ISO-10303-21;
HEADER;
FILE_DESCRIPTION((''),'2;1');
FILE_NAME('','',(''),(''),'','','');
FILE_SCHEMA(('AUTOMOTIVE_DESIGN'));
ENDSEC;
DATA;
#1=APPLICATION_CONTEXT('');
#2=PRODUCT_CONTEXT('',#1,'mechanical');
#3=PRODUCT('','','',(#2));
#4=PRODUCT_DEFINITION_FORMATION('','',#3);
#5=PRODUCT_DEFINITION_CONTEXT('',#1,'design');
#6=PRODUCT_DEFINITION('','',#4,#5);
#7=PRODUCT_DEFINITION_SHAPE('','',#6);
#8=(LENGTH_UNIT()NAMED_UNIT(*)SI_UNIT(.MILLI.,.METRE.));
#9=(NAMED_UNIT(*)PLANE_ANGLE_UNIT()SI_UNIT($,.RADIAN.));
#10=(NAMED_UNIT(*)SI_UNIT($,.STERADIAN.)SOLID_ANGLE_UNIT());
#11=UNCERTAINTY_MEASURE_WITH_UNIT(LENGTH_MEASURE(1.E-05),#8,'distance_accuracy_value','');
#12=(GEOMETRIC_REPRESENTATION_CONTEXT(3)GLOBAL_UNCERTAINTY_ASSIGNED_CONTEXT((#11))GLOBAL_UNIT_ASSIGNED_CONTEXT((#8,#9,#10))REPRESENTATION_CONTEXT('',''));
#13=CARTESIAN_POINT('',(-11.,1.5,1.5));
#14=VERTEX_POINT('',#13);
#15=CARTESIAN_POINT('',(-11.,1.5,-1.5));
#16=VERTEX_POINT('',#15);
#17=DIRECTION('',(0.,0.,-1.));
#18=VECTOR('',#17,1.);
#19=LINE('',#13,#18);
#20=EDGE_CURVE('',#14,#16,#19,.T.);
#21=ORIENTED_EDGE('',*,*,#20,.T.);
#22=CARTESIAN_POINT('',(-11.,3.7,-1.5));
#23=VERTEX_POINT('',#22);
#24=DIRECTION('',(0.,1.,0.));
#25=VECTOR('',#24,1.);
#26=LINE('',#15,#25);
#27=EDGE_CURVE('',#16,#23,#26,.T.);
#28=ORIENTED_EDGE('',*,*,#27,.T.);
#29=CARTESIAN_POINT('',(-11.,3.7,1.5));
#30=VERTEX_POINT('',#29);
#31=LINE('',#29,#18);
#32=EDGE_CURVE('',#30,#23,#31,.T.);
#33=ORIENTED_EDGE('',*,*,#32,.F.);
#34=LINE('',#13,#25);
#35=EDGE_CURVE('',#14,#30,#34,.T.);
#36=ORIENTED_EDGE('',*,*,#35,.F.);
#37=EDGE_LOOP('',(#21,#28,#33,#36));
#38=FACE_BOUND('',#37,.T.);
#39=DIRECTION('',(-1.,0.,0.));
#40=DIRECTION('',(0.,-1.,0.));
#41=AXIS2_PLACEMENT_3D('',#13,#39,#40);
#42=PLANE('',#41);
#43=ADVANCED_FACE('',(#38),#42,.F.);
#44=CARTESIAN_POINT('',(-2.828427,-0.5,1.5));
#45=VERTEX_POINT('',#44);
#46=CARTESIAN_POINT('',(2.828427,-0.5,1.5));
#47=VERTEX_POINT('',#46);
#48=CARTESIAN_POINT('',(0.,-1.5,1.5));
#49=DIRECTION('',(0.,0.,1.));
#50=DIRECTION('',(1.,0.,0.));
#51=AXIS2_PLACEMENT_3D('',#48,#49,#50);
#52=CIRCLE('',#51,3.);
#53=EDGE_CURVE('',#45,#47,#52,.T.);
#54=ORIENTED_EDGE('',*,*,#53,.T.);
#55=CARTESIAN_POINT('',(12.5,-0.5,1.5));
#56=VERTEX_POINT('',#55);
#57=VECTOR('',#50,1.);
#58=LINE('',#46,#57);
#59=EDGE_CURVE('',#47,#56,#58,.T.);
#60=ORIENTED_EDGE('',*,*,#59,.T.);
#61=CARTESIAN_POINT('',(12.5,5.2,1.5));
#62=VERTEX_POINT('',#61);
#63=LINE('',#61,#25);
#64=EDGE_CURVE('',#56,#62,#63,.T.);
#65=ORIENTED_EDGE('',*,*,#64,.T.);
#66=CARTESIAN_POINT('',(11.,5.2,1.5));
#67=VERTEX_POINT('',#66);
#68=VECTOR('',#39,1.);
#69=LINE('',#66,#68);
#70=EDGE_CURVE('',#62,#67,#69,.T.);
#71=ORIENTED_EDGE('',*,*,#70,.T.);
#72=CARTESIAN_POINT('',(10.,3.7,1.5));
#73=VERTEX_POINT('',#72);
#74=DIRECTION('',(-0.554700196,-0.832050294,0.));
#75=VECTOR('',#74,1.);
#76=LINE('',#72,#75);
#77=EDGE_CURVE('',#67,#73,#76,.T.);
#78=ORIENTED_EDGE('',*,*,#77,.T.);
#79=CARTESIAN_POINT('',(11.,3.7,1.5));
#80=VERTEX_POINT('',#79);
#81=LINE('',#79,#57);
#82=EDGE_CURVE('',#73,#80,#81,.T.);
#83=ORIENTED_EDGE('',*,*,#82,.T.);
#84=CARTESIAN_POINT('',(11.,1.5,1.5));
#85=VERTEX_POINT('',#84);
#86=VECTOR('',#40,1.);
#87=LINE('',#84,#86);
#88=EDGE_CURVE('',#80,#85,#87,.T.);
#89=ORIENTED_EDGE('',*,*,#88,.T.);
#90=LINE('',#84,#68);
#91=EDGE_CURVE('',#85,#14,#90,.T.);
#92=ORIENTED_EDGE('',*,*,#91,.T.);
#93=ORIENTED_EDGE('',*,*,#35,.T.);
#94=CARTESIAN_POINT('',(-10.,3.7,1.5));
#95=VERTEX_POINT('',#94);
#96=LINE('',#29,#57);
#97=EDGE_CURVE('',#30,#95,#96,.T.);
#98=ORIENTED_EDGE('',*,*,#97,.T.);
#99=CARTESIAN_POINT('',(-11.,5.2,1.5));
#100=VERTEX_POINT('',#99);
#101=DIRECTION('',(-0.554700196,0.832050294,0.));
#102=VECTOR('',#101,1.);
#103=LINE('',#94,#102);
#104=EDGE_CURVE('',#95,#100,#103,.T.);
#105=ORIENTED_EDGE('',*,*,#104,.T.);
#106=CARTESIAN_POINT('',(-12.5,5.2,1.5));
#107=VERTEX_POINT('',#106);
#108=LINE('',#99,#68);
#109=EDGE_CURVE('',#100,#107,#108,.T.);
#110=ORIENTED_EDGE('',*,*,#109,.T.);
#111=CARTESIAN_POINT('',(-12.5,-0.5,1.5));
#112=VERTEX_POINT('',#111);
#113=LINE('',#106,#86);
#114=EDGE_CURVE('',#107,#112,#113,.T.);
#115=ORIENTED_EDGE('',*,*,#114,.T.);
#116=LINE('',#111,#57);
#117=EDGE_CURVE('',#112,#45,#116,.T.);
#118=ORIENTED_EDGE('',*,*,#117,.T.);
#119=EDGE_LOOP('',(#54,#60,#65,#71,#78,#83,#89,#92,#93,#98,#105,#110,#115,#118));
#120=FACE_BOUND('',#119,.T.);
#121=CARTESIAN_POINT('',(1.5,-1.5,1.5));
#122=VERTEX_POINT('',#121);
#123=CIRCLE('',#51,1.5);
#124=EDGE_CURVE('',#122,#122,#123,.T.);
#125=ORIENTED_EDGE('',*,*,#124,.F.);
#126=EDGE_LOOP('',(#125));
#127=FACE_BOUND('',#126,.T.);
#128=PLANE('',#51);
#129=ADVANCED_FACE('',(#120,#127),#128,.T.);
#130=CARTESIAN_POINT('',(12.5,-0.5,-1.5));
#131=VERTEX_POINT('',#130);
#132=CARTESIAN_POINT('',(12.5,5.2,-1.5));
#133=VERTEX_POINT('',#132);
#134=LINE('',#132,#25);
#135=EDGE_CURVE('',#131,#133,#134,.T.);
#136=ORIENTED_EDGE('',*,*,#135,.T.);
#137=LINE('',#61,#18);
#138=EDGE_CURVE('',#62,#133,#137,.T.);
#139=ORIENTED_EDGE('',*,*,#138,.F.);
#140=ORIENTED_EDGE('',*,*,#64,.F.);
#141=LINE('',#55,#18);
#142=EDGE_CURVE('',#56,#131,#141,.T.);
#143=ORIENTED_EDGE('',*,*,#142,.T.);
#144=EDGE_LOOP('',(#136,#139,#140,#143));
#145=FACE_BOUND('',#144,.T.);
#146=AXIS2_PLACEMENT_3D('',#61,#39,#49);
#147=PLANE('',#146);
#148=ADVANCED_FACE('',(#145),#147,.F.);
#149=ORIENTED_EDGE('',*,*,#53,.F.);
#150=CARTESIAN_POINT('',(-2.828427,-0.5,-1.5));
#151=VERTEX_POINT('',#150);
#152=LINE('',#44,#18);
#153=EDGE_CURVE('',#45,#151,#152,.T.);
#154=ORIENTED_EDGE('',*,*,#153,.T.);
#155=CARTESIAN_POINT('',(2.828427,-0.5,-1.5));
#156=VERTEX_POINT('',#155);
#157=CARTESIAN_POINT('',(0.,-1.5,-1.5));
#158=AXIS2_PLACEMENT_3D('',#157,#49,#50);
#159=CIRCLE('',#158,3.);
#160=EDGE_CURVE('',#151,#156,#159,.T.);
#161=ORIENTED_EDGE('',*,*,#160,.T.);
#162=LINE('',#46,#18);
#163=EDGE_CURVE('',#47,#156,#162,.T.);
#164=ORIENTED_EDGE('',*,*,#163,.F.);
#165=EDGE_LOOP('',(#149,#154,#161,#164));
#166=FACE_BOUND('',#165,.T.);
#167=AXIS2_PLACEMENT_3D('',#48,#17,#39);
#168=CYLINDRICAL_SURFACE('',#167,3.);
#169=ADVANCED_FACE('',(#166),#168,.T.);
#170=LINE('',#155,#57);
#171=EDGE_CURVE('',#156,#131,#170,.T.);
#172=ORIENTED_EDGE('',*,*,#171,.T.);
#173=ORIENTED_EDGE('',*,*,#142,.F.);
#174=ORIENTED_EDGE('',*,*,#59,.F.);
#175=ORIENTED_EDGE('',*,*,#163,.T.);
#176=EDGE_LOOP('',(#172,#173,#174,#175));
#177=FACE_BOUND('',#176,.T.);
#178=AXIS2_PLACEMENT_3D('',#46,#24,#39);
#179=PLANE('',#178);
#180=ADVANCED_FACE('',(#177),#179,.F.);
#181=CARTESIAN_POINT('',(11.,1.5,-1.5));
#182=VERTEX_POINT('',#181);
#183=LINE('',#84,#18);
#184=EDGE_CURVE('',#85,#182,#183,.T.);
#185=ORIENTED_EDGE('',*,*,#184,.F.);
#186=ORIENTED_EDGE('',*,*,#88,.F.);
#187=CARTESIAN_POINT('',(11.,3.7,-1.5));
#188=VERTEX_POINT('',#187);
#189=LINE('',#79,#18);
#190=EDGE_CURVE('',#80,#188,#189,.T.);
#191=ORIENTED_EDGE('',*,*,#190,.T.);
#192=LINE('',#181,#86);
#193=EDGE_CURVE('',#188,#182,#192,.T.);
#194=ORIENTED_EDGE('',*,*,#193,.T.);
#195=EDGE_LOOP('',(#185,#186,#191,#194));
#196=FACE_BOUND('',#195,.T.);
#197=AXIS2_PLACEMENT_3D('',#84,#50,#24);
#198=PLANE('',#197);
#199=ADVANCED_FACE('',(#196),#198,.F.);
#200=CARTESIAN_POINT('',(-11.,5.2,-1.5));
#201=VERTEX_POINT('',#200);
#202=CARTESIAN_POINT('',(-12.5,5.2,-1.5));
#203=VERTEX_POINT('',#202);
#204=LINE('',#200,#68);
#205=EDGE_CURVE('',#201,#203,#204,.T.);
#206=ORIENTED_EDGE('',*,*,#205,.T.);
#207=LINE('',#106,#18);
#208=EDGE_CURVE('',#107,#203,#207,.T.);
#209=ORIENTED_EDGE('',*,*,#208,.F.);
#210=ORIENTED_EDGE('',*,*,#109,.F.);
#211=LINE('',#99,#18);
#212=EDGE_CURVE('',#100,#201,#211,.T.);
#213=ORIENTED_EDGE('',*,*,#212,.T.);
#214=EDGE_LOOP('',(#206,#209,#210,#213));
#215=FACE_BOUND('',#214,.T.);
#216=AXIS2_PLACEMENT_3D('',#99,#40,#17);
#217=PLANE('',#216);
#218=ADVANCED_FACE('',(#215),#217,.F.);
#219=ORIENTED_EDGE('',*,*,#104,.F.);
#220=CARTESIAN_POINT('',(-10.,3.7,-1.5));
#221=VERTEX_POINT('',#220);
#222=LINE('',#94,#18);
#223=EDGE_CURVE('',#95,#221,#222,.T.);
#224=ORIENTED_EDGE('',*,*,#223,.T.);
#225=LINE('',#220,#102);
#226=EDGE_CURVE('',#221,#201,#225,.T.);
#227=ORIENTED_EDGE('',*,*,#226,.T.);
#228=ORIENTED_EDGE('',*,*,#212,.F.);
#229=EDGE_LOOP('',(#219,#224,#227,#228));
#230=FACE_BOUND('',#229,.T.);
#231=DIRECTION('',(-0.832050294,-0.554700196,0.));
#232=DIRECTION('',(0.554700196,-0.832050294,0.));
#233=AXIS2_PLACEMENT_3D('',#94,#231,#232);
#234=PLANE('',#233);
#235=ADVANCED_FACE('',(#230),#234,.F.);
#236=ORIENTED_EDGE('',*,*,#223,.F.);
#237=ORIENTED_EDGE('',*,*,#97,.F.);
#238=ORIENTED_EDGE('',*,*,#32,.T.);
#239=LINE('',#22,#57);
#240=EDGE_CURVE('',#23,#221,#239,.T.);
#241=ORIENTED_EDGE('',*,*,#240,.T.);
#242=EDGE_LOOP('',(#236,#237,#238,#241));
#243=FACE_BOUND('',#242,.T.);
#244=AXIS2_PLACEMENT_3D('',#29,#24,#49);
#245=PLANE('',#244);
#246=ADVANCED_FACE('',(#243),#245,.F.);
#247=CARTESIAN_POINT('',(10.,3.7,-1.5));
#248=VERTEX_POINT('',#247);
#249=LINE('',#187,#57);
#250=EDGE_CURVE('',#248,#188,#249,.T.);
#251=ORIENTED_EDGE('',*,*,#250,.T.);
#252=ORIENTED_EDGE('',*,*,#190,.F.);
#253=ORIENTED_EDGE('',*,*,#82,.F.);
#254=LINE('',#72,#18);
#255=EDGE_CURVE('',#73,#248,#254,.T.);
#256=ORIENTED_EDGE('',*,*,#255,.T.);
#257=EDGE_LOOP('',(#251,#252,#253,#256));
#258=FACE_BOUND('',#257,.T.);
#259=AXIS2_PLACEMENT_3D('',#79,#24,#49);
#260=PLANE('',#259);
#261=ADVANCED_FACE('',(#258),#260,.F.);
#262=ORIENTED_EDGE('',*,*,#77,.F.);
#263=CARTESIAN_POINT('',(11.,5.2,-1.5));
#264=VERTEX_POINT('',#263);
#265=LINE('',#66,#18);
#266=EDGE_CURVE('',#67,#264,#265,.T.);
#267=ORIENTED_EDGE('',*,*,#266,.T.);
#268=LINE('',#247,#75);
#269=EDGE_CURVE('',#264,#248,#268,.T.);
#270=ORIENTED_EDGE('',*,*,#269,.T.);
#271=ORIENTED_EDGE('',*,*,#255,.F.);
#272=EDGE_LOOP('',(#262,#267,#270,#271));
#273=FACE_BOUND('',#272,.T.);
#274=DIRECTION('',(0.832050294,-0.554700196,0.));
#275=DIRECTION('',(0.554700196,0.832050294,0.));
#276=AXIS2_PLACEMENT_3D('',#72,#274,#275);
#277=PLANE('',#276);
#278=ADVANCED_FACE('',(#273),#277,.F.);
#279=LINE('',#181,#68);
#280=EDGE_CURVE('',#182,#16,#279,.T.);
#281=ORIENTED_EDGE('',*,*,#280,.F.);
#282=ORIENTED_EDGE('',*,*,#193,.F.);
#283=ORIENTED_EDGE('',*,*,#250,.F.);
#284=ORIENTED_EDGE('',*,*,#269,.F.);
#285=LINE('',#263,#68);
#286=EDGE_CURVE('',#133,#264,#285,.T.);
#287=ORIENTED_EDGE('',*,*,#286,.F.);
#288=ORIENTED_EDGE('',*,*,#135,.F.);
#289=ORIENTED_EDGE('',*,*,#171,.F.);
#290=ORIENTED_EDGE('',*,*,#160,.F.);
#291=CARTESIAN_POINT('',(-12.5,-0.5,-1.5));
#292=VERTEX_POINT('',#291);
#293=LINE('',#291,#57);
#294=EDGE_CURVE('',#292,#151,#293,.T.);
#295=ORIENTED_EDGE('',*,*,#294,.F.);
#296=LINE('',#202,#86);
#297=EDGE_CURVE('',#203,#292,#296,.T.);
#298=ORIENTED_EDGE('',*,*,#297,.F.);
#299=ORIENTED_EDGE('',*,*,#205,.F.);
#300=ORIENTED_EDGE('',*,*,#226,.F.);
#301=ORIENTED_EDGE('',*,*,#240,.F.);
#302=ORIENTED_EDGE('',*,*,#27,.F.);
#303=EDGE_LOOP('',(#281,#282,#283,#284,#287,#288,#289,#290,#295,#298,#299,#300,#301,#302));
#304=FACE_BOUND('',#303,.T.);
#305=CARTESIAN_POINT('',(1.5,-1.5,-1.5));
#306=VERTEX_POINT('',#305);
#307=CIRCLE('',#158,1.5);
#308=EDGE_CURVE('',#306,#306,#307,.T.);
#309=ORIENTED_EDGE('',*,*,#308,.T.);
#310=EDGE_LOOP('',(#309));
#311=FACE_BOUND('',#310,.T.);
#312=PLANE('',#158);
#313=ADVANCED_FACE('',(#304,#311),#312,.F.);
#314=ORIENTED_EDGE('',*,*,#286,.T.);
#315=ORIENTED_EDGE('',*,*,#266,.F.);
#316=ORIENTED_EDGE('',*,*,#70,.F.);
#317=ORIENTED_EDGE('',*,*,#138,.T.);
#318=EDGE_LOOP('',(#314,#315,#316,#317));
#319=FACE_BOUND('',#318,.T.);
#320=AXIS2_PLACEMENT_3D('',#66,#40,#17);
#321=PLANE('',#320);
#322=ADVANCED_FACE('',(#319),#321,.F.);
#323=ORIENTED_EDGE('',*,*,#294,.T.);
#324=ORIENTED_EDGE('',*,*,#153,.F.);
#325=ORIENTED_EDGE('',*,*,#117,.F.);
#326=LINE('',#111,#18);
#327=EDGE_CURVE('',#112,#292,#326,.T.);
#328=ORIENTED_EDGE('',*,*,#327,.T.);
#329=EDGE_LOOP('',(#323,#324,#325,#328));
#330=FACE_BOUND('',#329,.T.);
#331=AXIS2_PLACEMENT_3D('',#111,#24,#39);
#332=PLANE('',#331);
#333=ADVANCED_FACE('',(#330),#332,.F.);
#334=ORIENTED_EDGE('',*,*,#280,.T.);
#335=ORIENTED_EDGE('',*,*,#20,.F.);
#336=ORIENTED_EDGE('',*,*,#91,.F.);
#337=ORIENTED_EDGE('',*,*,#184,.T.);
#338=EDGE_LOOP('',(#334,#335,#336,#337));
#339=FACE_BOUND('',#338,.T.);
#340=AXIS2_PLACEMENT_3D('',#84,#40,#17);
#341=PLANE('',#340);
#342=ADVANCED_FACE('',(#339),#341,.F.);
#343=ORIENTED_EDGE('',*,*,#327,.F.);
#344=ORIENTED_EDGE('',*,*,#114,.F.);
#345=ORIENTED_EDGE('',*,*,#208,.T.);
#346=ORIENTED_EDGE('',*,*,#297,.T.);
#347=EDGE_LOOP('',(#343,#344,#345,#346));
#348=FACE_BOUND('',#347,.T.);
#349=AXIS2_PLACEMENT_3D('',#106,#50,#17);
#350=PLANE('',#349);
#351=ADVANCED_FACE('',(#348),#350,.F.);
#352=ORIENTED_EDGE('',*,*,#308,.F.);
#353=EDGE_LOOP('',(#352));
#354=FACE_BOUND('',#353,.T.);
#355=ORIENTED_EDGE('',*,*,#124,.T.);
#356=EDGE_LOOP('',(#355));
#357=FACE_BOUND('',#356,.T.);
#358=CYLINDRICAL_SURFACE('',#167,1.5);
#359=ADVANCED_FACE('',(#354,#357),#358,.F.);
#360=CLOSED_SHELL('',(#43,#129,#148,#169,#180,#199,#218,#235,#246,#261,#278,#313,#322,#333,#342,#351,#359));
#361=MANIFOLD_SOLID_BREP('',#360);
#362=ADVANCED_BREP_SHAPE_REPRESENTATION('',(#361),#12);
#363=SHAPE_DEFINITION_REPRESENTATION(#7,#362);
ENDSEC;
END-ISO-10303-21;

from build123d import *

# Parameters (mm, degrees)
SKIZZE1_R                       = 1.5
AUFSATZ_LINEAR_AUSTRAGEN1_DEPTH = 1.5


with BuildPart() as part:
    # Skizze1 → Aufsatz-Linear austragen1 (new body, symmetric)
    with BuildSketch(Plane.XY):
        with BuildLine():
            Line((-12.5, 5.2), (-12.5, -0.5))
            Line((-12.5, -0.5), (-2.828427125, -0.5))
            ThreePointArc((-2.828427125, -0.5), (0, -4.5), (2.828427125, -0.5))
            Line((2.828427125, -0.5), (12.5, -0.5))
            Line((12.5, -0.5), (12.5, 5.2))
            Line((12.5, 5.2), (11, 5.2))
            Line((11, 5.2), (10, 3.7))
            Line((10, 3.7), (11, 3.7))
            Line((11, 3.7), (11, 1.5))
            Line((11, 1.5), (-11, 1.5))
            Line((-11, 1.5), (-11, 3.7))
            Line((-11, 3.7), (-10, 3.7))
            Line((-10, 3.7), (-11, 5.2))
            Line((-11, 5.2), (-12.5, 5.2))
        make_face()
        with Locations((0, -1.5)):
            Circle(SKIZZE1_R, mode=Mode.SUBTRACT)
    extrude(amount=AUFSATZ_LINEAR_AUSTRAGEN1_DEPTH, both=True)


solid = part.part
